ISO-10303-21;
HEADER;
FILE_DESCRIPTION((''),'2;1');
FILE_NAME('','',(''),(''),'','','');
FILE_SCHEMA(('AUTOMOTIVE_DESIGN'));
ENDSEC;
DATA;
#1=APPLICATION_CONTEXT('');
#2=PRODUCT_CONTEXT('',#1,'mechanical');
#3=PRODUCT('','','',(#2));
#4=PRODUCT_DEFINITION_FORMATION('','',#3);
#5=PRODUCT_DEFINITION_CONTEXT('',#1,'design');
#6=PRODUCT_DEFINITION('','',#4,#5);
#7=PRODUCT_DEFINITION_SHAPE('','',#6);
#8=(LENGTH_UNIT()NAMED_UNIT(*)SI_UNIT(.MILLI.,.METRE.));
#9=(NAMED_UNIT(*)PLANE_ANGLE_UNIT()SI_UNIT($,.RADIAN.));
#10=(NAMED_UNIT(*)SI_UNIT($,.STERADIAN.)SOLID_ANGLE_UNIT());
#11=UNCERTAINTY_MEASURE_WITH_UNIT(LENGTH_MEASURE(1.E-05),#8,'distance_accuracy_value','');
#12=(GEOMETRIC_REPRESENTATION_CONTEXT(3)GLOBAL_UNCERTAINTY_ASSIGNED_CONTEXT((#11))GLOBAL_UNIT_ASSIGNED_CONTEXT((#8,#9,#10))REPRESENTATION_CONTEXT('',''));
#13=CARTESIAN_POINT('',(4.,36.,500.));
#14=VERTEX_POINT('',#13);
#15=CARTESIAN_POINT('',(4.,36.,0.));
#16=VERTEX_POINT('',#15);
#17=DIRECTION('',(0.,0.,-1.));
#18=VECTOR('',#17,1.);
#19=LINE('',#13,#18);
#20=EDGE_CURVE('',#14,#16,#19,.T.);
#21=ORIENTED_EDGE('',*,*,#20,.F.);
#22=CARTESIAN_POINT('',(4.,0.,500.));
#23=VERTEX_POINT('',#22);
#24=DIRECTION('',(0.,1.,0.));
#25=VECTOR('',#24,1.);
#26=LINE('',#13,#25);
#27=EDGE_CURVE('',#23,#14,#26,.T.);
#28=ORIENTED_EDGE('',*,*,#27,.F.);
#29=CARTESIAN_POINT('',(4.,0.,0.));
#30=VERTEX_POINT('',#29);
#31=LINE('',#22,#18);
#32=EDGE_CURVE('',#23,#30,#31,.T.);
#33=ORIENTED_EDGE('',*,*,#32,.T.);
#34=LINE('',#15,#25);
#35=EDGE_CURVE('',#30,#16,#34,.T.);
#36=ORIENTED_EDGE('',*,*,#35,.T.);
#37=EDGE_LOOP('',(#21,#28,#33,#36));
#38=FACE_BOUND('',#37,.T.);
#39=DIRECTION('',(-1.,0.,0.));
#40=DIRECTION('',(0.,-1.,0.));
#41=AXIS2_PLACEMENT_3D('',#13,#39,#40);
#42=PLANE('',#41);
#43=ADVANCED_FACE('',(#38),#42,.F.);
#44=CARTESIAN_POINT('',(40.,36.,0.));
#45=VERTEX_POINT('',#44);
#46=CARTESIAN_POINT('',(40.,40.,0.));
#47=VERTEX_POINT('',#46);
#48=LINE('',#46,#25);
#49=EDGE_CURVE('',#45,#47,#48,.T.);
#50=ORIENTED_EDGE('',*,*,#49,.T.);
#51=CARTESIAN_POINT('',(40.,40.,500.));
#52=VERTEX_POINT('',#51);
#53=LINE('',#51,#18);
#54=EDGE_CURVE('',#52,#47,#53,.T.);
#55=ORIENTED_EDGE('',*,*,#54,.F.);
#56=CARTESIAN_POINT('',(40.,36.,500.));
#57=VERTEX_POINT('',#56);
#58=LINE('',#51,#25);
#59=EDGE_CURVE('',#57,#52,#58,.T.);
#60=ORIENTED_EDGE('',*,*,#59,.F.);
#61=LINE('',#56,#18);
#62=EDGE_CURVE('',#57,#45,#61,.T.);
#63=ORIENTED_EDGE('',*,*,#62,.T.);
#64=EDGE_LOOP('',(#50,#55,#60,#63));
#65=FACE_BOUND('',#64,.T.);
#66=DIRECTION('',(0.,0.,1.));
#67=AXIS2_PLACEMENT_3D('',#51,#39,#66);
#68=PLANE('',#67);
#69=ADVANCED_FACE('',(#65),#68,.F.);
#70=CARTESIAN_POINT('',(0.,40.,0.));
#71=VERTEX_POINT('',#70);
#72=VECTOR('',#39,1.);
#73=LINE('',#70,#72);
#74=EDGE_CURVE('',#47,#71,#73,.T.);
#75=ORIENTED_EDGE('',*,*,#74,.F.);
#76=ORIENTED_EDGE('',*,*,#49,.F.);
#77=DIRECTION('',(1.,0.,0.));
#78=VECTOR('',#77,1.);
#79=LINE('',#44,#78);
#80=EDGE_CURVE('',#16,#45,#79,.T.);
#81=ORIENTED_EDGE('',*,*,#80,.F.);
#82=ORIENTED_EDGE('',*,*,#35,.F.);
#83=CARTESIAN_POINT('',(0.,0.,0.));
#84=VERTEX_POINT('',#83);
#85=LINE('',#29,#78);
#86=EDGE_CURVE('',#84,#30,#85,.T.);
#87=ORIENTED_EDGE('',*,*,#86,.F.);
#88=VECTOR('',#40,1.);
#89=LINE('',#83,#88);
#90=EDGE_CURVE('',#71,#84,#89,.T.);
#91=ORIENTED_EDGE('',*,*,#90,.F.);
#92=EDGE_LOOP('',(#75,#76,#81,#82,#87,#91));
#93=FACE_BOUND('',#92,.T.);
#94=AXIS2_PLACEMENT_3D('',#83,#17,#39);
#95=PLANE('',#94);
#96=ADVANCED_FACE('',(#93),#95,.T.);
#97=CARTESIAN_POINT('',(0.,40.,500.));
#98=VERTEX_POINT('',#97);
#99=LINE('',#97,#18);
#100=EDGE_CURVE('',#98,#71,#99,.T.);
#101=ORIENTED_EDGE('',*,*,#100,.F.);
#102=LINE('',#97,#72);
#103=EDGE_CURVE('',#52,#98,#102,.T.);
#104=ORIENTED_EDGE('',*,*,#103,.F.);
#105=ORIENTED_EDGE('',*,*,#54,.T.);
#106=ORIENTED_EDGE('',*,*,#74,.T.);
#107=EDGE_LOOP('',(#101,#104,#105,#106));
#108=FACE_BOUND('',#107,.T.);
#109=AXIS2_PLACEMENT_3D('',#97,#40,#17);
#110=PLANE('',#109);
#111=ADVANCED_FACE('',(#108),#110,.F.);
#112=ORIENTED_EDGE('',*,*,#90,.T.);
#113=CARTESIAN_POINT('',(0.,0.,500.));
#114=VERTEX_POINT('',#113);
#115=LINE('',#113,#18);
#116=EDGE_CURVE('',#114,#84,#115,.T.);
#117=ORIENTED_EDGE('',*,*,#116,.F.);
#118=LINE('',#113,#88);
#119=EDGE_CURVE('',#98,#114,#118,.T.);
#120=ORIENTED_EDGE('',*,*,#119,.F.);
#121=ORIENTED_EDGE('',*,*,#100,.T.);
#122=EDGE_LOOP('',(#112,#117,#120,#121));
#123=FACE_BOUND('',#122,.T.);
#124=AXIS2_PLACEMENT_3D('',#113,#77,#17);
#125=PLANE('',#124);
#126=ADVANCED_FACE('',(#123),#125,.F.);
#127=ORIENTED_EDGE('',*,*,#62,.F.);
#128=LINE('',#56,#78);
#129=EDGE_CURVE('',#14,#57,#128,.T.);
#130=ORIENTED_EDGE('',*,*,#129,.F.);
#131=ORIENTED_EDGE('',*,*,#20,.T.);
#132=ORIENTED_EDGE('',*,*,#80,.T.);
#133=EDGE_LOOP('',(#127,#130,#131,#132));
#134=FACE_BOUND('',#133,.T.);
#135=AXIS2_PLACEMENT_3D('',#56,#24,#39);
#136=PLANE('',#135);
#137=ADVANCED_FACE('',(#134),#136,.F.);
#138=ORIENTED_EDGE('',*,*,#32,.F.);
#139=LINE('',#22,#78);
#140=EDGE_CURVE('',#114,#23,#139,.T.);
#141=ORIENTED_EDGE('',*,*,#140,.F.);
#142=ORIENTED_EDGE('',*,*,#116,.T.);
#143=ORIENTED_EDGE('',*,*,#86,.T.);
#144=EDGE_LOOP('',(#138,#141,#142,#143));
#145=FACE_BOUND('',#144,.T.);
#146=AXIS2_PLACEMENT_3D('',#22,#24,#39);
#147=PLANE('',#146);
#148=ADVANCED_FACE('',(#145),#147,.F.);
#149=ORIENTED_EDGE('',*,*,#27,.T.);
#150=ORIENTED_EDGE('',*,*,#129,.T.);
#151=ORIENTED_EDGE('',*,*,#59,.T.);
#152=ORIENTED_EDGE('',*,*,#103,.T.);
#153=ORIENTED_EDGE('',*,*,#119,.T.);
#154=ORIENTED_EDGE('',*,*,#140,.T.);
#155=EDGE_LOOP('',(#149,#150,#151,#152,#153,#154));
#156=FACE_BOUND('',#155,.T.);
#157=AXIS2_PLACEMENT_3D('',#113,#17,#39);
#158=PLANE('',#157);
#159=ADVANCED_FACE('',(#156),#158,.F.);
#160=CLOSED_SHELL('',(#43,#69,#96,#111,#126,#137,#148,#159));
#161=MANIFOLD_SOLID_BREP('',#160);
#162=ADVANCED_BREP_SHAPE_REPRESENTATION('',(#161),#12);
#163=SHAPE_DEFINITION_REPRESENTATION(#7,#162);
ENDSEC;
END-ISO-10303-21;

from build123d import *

# Parameters (mm, degrees)
BOSS_EXTRUDE1_DEPTH = 500


with BuildPart() as part:
    # Sketch1 → Boss-Extrude1 (new body)
    with BuildSketch(Plane.XY):
        Polygon((0, 0), (0, 40), (40, 40), (40, 36), (4, 36), (4, 0), align=None)
    extrude(amount=BOSS_EXTRUDE1_DEPTH)


solid = part.part
